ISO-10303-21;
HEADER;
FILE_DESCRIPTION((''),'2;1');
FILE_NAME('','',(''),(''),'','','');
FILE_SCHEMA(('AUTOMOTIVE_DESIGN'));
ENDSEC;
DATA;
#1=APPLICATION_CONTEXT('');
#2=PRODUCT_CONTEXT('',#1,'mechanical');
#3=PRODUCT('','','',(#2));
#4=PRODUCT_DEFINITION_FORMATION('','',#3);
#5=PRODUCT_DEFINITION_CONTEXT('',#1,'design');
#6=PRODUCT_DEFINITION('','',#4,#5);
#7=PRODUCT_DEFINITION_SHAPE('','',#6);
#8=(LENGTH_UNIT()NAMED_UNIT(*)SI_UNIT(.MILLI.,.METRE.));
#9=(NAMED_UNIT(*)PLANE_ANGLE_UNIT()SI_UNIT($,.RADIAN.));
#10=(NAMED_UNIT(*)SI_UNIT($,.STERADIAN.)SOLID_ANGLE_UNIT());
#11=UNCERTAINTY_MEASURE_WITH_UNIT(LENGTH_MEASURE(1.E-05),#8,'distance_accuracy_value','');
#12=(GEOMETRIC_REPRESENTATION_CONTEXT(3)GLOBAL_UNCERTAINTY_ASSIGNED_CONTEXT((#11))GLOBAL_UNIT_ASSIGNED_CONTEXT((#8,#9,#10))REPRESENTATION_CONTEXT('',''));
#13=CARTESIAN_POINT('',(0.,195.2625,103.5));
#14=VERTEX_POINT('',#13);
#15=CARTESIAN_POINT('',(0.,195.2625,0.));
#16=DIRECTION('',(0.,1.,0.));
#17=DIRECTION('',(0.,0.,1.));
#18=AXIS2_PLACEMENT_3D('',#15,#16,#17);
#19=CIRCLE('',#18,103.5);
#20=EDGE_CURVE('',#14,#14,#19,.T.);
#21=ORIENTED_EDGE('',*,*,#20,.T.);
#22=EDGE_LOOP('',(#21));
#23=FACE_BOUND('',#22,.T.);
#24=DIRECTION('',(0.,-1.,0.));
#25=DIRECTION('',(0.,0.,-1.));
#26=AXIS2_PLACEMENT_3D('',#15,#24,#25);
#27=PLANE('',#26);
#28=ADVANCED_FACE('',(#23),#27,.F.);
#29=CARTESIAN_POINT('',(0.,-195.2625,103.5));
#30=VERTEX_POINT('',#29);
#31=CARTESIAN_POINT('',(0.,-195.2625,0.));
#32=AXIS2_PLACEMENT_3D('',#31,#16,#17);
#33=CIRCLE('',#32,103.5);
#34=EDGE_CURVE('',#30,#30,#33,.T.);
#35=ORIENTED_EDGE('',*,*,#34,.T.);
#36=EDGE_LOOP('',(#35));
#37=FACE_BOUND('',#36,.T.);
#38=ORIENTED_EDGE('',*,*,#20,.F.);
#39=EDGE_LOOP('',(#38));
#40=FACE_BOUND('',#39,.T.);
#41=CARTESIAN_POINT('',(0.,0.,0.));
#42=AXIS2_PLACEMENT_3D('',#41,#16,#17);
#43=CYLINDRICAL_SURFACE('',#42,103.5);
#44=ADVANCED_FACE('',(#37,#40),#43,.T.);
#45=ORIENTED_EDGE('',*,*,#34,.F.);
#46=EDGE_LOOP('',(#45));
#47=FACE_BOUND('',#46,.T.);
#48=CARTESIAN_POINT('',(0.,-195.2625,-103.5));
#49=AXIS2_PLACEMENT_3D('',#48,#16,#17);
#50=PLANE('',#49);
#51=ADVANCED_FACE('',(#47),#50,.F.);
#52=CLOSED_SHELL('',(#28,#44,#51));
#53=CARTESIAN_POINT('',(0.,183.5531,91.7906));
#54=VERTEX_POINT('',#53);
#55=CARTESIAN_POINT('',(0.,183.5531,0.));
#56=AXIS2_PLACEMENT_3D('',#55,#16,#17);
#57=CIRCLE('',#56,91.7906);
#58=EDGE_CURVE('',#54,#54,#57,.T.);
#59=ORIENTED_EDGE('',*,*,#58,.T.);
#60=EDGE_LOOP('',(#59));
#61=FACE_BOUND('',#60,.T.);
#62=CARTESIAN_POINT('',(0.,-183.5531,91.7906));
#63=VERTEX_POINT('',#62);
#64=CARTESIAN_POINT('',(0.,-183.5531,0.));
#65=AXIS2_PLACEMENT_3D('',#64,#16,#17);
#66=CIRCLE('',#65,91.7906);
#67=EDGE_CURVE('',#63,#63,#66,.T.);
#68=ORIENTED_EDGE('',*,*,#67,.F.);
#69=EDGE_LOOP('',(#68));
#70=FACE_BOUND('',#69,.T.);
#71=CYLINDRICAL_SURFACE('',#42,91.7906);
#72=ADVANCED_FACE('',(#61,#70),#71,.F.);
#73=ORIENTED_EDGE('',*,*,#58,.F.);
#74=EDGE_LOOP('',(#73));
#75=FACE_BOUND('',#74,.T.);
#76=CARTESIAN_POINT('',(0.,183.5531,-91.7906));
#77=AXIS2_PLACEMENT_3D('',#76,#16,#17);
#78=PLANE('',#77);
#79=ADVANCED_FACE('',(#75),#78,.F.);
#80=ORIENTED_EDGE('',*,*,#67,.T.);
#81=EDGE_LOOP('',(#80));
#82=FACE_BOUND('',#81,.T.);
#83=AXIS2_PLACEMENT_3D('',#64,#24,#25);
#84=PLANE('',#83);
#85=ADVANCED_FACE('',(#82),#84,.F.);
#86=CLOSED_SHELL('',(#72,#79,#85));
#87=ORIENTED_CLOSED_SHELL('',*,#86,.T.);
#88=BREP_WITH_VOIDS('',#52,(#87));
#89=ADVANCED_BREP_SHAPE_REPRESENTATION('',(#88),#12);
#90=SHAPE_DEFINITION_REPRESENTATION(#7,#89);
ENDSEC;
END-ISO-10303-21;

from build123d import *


with BuildPart() as part:
    # Sketch1 → Revolve1 (revolve)
    with BuildSketch(Plane(origin=(0, 0, 0), x_dir=(0, 0, -1), z_dir=(1, 0, 0)), mode=Mode.PRIVATE) as revolve1_sk:
        Polygon((0, 195.2625), (103.5, 195.2625), (103.5, -195.2625), (0, -195.2625), (0, -183.5531), (91.7906, -183.5531), (91.7906, 183.5531), (0, 183.5531), align=None)
    revolve(revolve1_sk.sketch.rotate(Axis((0, 0, 0), (0, -1, 0)), 180), axis=Axis((0, 0, 0), (0, -1, 0)))


solid = part.part
